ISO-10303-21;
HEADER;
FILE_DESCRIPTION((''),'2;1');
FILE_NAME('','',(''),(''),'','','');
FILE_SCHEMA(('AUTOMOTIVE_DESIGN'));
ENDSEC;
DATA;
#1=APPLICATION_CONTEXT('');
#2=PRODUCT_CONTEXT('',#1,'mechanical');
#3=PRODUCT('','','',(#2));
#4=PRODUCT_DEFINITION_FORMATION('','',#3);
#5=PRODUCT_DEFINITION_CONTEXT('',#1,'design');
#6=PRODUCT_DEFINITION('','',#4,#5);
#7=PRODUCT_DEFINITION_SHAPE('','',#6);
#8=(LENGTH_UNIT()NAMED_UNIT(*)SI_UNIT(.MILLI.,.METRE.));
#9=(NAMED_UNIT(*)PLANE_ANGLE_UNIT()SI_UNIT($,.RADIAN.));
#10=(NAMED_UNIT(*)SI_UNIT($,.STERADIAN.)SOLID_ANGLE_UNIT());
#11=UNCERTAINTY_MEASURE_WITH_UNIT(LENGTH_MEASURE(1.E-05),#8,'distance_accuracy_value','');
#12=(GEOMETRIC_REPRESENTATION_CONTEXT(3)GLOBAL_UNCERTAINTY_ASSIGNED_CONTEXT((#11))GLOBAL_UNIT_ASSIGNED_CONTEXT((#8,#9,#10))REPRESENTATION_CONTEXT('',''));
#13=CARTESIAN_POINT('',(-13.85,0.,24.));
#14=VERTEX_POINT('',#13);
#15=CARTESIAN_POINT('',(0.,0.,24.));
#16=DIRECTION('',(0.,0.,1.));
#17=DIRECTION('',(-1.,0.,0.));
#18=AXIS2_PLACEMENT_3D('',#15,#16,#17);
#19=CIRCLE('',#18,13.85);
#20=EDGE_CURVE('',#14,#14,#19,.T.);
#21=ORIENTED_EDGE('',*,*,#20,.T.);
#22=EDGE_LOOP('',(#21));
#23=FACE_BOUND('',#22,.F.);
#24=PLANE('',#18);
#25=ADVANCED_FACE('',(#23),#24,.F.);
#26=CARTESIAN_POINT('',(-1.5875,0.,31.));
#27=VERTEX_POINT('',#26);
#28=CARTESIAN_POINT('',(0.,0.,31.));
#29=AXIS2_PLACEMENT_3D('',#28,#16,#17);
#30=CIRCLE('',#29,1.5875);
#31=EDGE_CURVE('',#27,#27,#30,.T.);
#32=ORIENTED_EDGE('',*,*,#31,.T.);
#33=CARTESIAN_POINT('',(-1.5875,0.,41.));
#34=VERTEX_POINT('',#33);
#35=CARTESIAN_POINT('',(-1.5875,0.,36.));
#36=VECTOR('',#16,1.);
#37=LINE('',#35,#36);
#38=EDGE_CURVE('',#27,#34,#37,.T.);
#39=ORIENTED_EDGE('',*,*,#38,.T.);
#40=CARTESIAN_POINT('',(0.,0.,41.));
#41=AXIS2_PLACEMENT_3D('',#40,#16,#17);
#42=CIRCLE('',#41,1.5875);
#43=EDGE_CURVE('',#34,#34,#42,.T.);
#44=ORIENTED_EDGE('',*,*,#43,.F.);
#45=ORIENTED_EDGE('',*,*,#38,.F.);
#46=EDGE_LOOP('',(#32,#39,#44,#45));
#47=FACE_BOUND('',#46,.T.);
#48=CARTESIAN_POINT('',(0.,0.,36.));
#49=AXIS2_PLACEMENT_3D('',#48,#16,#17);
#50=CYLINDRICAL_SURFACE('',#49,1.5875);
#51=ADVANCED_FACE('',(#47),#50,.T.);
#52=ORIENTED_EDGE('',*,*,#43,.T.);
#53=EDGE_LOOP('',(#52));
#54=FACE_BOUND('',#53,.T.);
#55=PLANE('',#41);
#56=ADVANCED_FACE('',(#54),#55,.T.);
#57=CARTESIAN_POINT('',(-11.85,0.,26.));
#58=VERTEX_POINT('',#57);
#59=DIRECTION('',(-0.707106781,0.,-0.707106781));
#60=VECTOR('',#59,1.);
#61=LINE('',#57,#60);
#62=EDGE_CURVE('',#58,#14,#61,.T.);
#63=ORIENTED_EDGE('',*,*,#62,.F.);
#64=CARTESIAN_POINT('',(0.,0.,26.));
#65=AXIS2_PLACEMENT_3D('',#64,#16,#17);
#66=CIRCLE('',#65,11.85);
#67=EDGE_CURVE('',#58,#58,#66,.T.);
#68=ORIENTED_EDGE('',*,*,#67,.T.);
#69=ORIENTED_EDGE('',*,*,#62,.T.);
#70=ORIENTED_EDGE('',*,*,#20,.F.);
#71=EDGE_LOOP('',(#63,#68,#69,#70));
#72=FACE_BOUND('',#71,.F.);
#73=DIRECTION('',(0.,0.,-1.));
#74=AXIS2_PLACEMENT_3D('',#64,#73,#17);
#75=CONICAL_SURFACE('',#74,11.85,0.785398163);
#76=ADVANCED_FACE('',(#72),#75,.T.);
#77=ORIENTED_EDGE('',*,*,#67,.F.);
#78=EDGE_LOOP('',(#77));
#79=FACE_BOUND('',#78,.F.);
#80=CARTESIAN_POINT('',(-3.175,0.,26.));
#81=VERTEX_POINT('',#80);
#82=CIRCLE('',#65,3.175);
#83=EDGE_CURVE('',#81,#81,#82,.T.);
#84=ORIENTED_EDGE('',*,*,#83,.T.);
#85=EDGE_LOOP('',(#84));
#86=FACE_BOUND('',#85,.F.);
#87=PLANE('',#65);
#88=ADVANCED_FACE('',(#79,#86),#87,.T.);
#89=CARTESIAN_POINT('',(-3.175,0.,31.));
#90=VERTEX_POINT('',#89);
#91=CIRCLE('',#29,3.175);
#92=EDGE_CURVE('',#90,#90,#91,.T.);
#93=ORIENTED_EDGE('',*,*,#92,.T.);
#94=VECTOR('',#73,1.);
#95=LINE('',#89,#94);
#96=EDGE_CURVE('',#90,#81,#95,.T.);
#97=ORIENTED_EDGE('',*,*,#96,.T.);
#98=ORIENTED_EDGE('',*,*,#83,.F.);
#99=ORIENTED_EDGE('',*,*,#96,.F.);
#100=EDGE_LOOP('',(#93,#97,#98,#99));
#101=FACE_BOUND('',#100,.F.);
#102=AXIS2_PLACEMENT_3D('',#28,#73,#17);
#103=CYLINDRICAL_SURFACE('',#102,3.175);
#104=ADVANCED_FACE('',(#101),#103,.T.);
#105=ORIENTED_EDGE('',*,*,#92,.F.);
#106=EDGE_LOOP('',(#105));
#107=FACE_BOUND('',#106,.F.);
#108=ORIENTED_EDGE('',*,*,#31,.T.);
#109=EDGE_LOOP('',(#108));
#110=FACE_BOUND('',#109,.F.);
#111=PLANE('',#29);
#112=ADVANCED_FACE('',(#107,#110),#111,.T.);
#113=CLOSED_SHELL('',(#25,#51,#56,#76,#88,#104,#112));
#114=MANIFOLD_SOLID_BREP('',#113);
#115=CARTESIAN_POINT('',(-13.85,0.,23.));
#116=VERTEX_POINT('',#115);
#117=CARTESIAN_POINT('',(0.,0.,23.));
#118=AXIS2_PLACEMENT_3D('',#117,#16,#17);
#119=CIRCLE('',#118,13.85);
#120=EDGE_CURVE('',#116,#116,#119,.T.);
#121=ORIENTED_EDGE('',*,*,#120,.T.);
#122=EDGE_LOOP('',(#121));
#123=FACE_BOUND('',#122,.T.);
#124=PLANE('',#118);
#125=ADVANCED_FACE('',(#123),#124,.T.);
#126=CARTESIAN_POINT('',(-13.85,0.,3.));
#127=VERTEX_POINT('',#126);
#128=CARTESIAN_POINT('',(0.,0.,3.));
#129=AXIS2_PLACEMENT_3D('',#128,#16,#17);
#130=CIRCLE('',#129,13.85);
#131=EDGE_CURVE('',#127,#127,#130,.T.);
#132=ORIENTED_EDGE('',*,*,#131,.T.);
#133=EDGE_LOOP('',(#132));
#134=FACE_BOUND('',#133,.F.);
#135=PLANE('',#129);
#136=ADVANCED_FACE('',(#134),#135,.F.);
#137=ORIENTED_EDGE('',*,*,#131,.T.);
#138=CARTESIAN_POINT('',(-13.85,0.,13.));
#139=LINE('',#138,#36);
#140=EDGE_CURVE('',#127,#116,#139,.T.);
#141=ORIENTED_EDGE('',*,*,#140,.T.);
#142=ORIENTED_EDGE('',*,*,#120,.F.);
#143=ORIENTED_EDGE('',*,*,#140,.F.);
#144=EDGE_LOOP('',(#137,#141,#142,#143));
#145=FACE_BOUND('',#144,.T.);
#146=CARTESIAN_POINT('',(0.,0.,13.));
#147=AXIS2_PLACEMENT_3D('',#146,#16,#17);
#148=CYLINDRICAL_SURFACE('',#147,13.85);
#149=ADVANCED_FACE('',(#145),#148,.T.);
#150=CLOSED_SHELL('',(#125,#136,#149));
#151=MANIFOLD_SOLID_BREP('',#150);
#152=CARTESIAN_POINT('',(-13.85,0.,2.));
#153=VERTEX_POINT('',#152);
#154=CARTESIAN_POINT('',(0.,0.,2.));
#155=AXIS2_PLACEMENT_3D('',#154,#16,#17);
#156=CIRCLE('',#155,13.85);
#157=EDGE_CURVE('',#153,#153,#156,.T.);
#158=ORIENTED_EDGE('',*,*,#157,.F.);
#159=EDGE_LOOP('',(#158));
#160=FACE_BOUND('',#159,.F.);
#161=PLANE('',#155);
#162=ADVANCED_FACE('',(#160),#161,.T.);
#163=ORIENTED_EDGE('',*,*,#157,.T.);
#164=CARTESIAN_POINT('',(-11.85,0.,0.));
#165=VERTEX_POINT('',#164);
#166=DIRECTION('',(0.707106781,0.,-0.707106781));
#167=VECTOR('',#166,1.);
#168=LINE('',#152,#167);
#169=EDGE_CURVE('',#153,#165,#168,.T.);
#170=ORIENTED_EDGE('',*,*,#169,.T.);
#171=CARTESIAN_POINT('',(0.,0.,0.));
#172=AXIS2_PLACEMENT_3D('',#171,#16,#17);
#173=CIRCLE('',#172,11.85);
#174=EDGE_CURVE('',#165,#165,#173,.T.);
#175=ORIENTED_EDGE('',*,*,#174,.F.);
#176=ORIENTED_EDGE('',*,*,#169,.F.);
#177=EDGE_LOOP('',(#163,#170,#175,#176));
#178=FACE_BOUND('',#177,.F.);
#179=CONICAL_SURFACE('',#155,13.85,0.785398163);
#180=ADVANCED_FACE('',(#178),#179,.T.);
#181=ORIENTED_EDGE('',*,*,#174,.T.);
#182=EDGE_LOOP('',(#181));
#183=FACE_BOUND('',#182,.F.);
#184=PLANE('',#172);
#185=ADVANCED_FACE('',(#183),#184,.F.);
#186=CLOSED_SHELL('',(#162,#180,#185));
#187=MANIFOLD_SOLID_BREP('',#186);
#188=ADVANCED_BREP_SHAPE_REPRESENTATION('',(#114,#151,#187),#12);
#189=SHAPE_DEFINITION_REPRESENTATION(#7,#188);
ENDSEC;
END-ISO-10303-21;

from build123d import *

# Parameters (mm, degrees)
F0_W   = 13.85
F0_H   = 20
F0_W_2 = 1.5875
F0_H_2 = 10


with BuildPart() as f1:
    # F0 (on Front) → F1 (revolve)
    with BuildSketch(Plane.XZ):
        Polygon((-11.85, 0), (0, 0), (0, 2), (-13.85, 2), align=None)
        with Locations((-6.925, 13)):
            Rectangle(F0_W, F0_H)
        Polygon((-13.85, 24), (0, 24), (0, 26), (-3.175, 26), (-11.85, 26), align=None)
        Polygon((-3.175, 26), (0, 26), (0, 31), (-1.5875, 31), (-3.175, 31), align=None)
        with Locations((-0.79375, 36)):
            Rectangle(F0_W_2, F0_H_2)
    revolve(axis=Axis((0, 0, 13), (0, 0, 1)))


solid = f1.part
